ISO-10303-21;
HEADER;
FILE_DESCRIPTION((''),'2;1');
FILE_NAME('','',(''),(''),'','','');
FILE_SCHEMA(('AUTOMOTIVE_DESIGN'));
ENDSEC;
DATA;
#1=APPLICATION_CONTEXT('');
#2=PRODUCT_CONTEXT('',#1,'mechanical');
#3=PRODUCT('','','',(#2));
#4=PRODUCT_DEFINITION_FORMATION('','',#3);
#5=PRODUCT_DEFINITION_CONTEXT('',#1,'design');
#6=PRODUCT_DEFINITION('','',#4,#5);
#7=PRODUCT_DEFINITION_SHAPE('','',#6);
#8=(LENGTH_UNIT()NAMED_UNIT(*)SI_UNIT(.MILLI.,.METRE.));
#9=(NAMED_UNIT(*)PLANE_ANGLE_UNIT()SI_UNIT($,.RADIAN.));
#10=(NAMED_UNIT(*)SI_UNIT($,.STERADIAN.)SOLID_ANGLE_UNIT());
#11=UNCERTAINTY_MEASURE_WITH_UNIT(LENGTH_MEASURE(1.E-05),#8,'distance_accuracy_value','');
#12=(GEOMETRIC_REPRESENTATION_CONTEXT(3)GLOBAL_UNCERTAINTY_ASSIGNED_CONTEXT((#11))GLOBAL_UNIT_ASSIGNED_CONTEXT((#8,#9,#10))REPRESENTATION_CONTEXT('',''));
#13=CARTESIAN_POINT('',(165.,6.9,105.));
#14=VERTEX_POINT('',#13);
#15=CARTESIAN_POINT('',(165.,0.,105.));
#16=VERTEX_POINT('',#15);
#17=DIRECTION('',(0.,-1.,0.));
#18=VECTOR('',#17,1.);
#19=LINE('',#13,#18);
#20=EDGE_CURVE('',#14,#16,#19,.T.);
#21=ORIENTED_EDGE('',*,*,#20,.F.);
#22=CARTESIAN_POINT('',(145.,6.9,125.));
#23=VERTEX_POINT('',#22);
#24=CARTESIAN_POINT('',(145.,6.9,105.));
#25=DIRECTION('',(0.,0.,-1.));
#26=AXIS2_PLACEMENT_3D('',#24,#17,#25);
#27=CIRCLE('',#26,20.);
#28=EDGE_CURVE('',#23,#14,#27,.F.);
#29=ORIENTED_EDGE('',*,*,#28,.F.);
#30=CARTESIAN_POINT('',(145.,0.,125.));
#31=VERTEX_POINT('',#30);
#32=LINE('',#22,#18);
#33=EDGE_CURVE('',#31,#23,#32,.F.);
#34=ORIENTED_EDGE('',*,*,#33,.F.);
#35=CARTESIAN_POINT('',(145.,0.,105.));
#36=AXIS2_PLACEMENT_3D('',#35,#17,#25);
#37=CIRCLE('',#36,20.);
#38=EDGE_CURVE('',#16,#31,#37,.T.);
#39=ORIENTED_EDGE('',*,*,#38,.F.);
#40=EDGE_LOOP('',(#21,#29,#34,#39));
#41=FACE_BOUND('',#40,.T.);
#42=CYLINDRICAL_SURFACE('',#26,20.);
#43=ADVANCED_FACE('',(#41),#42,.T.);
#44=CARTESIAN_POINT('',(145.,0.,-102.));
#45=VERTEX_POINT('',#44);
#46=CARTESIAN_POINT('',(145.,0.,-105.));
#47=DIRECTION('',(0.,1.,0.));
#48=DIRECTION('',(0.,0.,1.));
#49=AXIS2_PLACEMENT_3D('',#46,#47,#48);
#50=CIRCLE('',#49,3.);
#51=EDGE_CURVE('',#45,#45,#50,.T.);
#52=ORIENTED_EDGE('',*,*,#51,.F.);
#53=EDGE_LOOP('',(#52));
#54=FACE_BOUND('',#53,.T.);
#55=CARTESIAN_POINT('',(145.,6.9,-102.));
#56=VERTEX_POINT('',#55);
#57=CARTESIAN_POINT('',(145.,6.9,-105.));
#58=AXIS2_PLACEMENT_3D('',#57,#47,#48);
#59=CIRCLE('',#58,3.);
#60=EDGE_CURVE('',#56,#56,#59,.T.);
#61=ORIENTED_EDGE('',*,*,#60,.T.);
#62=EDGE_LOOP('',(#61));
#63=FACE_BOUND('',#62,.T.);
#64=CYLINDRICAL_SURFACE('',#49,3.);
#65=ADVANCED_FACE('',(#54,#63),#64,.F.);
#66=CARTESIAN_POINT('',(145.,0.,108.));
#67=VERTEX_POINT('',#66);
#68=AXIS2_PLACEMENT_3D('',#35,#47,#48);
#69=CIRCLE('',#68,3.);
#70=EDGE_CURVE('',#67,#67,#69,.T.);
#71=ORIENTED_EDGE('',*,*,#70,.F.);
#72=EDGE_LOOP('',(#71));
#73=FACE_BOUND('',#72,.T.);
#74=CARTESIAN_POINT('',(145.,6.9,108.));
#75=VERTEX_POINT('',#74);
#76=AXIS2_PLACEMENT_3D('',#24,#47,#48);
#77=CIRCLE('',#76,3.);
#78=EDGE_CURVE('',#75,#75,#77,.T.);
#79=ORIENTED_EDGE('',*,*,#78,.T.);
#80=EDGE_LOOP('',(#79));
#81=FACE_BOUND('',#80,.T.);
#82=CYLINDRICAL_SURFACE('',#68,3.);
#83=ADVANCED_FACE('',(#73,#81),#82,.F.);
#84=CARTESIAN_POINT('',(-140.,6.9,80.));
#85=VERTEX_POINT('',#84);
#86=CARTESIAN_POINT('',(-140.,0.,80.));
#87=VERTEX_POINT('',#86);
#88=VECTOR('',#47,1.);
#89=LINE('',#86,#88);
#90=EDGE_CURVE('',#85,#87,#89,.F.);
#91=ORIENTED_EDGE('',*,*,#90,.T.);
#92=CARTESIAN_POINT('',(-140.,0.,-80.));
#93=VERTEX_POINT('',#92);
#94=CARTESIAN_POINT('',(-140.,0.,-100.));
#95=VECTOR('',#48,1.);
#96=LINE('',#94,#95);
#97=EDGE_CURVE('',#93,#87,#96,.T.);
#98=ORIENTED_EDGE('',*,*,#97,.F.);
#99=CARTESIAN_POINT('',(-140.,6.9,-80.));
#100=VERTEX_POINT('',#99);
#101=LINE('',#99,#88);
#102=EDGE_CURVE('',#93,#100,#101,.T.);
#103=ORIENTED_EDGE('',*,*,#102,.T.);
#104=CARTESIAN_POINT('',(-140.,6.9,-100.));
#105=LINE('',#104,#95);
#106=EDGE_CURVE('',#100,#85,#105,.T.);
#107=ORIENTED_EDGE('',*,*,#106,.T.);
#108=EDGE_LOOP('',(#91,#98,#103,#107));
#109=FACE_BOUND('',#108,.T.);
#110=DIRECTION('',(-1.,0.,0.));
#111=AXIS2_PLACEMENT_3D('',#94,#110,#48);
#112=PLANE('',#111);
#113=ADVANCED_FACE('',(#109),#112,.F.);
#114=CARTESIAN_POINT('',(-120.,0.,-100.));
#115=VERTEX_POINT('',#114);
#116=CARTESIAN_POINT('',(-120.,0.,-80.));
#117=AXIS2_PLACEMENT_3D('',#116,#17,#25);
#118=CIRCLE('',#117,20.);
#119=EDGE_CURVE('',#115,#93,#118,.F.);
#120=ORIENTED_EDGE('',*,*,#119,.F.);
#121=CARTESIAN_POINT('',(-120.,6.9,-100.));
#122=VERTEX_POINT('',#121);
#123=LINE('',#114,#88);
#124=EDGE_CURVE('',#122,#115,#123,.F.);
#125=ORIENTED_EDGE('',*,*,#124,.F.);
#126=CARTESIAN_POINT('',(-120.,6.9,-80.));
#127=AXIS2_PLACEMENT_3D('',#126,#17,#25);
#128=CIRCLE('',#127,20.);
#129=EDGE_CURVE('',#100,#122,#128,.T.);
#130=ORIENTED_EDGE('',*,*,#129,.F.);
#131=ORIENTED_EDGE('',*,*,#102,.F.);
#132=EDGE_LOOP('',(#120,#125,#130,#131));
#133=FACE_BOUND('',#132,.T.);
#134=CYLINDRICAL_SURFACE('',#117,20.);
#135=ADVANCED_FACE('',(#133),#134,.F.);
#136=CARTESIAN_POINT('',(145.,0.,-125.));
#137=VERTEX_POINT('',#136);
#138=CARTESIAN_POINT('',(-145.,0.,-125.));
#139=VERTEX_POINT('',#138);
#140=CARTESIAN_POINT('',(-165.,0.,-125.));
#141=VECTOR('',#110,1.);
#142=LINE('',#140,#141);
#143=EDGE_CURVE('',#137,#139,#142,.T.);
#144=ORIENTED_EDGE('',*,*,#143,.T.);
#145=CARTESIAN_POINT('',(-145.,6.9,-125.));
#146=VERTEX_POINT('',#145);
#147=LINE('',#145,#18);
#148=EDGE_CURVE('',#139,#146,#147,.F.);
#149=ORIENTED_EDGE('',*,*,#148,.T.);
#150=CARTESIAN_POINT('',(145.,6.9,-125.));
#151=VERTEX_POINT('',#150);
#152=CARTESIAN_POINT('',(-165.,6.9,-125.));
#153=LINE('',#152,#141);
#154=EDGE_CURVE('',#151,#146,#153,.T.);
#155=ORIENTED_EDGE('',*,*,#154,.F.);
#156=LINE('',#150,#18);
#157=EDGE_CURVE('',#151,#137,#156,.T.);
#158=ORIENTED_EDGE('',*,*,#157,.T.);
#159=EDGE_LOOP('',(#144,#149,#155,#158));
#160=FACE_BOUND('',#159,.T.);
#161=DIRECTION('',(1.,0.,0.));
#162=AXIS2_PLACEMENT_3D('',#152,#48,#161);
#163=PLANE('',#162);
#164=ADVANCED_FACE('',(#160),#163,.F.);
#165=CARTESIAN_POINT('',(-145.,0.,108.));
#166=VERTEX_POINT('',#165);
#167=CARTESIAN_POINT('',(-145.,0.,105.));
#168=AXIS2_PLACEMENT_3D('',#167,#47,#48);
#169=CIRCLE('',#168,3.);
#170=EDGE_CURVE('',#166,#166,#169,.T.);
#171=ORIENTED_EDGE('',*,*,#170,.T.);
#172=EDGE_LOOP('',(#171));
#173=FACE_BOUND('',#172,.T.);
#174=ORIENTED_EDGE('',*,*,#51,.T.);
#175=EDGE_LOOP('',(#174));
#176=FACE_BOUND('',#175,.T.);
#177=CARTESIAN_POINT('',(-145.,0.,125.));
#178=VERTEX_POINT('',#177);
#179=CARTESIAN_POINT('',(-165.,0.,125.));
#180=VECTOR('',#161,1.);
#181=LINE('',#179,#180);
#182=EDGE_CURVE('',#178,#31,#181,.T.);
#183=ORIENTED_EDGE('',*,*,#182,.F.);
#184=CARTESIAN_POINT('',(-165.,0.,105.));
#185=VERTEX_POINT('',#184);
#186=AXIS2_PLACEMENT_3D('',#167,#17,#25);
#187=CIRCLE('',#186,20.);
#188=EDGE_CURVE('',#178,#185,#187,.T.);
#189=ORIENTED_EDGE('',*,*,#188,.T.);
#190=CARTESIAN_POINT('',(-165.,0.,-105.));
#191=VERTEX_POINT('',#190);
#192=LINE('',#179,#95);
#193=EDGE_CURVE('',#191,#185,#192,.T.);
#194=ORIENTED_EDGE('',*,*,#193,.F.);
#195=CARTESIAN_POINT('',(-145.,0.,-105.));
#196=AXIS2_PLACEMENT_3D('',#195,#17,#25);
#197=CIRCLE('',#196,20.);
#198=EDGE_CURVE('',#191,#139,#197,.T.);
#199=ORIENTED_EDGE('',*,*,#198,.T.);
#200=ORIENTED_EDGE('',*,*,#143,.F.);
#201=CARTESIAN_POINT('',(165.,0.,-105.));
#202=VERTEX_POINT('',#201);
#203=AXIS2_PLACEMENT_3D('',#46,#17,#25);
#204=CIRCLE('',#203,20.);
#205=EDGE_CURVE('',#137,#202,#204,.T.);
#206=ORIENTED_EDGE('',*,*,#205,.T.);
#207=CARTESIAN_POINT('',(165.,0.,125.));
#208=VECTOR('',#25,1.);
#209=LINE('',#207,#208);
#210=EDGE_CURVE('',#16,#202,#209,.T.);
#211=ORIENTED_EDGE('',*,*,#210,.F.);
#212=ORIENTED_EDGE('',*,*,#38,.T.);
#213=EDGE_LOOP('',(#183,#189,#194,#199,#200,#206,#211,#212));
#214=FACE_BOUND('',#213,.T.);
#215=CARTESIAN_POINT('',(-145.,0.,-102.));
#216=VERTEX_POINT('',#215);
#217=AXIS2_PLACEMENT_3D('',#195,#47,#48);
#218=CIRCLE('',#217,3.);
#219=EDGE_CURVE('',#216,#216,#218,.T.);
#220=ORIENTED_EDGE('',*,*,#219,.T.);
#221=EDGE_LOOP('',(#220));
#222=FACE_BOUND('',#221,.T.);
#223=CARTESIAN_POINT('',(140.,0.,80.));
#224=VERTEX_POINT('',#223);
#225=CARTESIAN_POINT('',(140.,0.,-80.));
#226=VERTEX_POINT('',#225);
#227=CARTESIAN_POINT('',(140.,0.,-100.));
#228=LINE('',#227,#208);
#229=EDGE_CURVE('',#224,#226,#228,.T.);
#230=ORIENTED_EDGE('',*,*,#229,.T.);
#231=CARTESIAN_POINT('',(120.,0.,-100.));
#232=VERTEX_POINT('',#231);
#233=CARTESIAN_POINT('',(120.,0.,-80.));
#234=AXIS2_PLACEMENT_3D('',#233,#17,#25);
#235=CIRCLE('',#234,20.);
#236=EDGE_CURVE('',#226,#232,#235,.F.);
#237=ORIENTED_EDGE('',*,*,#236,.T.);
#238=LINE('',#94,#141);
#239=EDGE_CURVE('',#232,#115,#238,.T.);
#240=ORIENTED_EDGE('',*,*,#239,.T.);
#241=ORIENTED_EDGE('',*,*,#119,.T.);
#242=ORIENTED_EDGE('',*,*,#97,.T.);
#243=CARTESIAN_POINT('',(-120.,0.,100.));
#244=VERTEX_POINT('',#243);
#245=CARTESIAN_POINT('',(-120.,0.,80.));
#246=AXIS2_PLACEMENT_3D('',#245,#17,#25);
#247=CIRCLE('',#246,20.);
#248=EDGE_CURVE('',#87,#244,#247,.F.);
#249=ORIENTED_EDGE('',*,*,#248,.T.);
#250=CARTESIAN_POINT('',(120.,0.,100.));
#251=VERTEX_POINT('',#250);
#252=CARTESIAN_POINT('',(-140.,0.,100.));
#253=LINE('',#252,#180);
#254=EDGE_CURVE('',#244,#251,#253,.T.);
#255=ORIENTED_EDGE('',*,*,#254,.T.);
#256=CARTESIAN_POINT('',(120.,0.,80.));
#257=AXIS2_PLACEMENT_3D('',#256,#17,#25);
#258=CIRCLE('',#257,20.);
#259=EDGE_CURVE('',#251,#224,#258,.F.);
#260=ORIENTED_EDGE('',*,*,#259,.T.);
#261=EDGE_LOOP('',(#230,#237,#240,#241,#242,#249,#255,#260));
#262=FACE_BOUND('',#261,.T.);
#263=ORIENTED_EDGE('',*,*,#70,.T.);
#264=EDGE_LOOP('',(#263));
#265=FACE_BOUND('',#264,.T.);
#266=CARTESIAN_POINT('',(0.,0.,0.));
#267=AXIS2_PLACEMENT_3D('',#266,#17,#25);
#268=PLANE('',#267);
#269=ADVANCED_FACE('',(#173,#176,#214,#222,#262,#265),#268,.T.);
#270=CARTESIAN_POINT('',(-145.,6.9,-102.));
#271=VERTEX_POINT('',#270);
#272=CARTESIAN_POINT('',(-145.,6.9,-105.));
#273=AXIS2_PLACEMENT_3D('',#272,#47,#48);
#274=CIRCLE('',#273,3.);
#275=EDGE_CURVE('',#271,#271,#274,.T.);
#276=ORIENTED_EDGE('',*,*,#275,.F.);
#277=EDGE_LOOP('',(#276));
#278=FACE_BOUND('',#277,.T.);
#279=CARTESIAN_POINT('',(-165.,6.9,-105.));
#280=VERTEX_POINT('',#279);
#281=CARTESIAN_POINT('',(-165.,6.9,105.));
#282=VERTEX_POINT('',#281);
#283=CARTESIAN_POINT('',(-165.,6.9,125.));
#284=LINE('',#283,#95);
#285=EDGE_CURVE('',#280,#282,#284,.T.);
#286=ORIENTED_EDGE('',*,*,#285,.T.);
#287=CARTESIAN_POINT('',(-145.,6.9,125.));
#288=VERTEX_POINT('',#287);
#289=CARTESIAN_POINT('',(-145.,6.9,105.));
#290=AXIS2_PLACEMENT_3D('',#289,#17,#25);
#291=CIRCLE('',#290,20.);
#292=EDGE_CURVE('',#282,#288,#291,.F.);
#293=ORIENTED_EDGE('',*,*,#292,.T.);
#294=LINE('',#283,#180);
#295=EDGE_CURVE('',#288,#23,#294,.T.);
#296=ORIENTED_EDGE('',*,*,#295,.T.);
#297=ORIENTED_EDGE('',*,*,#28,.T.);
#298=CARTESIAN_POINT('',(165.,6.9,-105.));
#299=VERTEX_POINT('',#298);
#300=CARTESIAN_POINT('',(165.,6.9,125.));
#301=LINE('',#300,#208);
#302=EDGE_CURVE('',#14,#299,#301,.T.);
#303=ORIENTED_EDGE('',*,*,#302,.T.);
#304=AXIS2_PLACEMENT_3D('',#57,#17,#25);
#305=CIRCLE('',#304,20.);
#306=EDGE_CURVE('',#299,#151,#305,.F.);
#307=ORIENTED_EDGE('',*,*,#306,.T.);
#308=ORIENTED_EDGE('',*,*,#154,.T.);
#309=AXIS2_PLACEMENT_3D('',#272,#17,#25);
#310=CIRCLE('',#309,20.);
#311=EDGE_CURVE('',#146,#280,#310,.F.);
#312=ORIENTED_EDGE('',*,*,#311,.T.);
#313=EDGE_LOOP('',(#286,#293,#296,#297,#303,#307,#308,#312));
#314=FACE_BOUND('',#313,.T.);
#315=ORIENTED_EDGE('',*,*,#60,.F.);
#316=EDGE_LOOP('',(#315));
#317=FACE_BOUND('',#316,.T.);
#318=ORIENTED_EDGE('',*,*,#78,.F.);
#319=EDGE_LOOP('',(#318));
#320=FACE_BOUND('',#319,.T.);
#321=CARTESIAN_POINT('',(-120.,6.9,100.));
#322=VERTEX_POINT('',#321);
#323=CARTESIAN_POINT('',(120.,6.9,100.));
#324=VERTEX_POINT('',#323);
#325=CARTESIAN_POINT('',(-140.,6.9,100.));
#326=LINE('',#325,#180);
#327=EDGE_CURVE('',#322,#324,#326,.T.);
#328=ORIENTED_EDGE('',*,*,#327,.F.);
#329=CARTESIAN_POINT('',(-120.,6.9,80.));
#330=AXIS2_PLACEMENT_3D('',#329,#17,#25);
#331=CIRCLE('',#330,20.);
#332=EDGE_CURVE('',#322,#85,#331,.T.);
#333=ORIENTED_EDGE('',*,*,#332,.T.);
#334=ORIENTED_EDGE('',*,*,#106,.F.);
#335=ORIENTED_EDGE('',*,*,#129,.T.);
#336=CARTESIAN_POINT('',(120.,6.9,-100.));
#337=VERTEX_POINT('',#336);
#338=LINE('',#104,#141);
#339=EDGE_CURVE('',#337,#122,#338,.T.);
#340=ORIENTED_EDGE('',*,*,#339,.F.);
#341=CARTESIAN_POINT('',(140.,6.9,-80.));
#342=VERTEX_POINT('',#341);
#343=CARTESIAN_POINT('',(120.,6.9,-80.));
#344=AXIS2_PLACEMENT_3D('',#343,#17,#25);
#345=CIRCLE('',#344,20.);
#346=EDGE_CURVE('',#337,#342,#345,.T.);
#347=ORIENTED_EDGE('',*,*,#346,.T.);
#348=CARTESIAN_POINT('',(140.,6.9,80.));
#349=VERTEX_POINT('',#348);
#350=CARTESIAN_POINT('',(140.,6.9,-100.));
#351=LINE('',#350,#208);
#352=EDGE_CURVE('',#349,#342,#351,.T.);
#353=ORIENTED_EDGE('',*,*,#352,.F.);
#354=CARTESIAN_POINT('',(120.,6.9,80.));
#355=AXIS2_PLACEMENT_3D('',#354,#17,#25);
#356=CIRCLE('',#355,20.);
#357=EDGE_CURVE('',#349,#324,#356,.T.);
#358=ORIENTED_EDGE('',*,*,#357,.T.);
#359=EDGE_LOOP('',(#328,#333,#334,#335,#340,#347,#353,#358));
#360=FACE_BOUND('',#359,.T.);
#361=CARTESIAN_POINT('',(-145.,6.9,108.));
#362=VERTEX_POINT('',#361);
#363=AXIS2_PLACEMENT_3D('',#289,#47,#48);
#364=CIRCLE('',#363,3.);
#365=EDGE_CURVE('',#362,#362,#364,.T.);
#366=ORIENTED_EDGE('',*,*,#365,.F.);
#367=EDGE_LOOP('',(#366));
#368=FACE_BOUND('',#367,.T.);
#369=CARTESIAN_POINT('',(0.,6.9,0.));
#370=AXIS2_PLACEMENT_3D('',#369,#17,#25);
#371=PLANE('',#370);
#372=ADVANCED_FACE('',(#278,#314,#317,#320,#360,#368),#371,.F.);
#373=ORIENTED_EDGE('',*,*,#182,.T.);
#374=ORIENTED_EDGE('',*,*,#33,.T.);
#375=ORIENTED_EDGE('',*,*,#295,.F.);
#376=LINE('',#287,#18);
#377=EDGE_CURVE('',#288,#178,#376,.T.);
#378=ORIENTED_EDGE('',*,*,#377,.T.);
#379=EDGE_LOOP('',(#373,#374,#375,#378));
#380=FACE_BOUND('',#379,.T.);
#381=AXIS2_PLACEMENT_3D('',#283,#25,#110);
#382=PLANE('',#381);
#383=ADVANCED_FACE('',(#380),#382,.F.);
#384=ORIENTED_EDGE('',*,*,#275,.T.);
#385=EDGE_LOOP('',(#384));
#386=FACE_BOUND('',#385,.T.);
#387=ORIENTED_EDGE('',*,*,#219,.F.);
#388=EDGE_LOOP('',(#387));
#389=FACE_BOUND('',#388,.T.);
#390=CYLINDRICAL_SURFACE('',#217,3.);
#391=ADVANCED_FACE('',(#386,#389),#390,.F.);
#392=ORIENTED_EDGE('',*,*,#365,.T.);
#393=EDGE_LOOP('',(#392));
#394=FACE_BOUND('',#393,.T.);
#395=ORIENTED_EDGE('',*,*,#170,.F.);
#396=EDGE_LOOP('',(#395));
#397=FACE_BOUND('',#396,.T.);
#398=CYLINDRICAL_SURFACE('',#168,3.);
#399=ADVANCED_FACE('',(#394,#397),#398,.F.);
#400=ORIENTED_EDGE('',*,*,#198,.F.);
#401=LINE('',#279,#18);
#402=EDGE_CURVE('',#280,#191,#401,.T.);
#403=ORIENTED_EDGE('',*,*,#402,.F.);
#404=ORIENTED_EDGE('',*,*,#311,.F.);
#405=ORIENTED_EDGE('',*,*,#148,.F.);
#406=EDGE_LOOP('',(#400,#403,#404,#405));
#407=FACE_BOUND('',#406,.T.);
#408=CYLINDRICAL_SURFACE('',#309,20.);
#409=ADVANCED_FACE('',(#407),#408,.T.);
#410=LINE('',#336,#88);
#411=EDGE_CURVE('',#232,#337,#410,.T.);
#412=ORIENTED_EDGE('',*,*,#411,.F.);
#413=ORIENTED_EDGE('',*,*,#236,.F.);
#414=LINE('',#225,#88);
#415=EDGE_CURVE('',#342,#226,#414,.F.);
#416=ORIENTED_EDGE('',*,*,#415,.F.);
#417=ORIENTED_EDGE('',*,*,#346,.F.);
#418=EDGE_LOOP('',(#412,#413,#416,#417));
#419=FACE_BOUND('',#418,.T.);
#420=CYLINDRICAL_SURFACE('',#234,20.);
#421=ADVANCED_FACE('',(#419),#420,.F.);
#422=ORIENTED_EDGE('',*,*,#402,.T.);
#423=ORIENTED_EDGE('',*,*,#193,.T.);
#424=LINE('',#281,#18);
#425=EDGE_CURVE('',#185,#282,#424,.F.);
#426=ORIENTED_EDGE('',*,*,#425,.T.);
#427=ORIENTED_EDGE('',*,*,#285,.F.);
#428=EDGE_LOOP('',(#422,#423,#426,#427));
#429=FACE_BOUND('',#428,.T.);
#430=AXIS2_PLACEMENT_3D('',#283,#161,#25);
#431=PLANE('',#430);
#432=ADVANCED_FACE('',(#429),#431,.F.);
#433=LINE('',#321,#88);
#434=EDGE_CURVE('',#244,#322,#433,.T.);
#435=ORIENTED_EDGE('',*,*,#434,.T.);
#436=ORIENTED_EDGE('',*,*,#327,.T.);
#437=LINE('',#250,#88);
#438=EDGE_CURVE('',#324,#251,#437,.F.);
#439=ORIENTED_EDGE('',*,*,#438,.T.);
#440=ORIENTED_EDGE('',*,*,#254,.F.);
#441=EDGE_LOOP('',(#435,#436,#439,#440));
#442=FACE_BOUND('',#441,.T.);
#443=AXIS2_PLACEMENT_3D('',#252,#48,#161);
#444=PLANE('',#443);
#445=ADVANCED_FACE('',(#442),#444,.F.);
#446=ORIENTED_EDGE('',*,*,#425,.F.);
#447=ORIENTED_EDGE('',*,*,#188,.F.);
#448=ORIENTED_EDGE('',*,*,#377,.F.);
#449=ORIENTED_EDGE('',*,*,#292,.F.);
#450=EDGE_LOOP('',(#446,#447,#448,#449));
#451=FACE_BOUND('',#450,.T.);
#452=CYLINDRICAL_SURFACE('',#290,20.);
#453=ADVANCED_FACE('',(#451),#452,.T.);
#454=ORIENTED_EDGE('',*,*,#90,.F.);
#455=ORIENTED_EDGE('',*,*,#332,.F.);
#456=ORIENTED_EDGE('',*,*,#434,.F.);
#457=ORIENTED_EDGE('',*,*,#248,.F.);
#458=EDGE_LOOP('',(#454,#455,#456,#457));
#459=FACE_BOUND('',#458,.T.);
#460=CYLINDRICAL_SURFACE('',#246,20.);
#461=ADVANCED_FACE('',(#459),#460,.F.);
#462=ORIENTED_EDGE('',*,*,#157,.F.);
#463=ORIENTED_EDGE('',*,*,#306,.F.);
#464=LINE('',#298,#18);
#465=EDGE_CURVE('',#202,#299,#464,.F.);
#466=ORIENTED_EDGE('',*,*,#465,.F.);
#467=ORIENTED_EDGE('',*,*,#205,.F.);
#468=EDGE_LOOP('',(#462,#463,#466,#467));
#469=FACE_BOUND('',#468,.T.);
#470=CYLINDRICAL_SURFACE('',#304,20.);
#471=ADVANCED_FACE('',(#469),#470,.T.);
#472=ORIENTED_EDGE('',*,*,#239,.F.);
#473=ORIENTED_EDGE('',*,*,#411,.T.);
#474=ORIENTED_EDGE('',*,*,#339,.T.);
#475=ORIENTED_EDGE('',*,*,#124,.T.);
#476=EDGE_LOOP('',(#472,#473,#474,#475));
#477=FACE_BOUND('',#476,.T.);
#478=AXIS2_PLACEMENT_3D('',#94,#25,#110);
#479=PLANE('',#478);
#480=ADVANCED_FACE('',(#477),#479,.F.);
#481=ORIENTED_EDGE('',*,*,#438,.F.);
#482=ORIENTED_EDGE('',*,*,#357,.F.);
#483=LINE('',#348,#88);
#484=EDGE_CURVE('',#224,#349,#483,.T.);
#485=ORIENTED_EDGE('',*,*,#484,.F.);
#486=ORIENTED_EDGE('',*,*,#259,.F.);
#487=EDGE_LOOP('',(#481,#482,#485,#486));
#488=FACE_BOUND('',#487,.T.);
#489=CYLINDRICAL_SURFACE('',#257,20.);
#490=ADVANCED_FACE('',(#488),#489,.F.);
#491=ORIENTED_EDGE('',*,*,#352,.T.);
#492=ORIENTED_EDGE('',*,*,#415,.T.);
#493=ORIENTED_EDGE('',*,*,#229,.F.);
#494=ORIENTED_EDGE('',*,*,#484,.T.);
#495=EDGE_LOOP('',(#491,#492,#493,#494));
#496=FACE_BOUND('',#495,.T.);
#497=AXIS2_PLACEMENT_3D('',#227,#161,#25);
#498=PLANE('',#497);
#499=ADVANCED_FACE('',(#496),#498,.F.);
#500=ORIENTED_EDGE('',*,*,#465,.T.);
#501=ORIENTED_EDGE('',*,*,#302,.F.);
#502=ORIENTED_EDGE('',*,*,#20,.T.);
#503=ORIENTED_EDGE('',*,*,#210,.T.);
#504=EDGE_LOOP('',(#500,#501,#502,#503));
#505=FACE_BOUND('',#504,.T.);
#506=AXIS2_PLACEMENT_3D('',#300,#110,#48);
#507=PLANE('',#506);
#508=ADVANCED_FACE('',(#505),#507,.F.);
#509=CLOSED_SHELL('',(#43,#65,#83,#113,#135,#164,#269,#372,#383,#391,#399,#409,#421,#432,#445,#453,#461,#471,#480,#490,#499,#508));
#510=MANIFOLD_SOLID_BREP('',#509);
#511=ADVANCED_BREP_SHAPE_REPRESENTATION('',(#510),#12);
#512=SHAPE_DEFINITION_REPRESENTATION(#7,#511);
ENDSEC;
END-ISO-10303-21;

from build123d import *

# Parameters (mm, degrees)
SKETCH1_W           = 330
SKETCH1_H           = 250
BOSS_EXTRUDE1_DEPTH = 6.9
SKETCH2_R           = 3
CUT_EXTRUDE1_DEPTH  = 7.9
SKETCH3_W           = 280
SKETCH3_H           = 200
CUT_EXTRUDE2_DEPTH  = 7.9
FILLET1_R           = 20
FILLET2_R           = 20


with BuildPart() as part:
    # Sketch1 → Boss-Extrude1 (new body)
    with BuildSketch(Plane(origin=(0, 0, 0), x_dir=(1, 0, 0), z_dir=(0, 1, 0))):
        Rectangle(SKETCH1_W, SKETCH1_H)
    extrude(amount=BOSS_EXTRUDE1_DEPTH)

    # Sketch2 → Cut-Extrude1 (cut, through all)
    with BuildSketch(Plane(origin=(0, 6.9, 0), x_dir=(1, 0, 0), z_dir=(0, 1, 0))):
        with Locations((-145, 105)):
            Circle(SKETCH2_R)
        with Locations((145, 105)):
            Circle(SKETCH2_R)
        with Locations((145, -105)):
            Circle(SKETCH2_R)
        with Locations((-145, -105)):
            Circle(SKETCH2_R)
    extrude(amount=-CUT_EXTRUDE1_DEPTH, mode=Mode.SUBTRACT)

    # Sketch3 → Cut-Extrude2 (cut, through all)
    with BuildSketch(Plane(origin=(0, 6.9, 0), x_dir=(1, 0, 0), z_dir=(0, 1, 0))):
        Rectangle(SKETCH3_W, SKETCH3_H)
    extrude(amount=-CUT_EXTRUDE2_DEPTH, mode=Mode.SUBTRACT)

    # Fillet1
    fillet1_edges = [part.edges().sort_by_distance(p)[0] for p in [
        (-165, 3.45, -125),
        (165, 3.45, -125),
        (165, 3.45, 125),
        (-165, 3.45, 125),
    ]]
    fillet(fillet1_edges, radius=FILLET1_R)

    # Fillet2
    fillet2_edges = [part.edges().sort_by_distance(p)[0] for p in [
        (-140, 3.45, 100),
        (-140, 3.45, -100),
        (140, 3.45, -100),
        (140, 3.45, 100),
    ]]
    fillet(fillet2_edges, radius=FILLET2_R)


solid = part.part
